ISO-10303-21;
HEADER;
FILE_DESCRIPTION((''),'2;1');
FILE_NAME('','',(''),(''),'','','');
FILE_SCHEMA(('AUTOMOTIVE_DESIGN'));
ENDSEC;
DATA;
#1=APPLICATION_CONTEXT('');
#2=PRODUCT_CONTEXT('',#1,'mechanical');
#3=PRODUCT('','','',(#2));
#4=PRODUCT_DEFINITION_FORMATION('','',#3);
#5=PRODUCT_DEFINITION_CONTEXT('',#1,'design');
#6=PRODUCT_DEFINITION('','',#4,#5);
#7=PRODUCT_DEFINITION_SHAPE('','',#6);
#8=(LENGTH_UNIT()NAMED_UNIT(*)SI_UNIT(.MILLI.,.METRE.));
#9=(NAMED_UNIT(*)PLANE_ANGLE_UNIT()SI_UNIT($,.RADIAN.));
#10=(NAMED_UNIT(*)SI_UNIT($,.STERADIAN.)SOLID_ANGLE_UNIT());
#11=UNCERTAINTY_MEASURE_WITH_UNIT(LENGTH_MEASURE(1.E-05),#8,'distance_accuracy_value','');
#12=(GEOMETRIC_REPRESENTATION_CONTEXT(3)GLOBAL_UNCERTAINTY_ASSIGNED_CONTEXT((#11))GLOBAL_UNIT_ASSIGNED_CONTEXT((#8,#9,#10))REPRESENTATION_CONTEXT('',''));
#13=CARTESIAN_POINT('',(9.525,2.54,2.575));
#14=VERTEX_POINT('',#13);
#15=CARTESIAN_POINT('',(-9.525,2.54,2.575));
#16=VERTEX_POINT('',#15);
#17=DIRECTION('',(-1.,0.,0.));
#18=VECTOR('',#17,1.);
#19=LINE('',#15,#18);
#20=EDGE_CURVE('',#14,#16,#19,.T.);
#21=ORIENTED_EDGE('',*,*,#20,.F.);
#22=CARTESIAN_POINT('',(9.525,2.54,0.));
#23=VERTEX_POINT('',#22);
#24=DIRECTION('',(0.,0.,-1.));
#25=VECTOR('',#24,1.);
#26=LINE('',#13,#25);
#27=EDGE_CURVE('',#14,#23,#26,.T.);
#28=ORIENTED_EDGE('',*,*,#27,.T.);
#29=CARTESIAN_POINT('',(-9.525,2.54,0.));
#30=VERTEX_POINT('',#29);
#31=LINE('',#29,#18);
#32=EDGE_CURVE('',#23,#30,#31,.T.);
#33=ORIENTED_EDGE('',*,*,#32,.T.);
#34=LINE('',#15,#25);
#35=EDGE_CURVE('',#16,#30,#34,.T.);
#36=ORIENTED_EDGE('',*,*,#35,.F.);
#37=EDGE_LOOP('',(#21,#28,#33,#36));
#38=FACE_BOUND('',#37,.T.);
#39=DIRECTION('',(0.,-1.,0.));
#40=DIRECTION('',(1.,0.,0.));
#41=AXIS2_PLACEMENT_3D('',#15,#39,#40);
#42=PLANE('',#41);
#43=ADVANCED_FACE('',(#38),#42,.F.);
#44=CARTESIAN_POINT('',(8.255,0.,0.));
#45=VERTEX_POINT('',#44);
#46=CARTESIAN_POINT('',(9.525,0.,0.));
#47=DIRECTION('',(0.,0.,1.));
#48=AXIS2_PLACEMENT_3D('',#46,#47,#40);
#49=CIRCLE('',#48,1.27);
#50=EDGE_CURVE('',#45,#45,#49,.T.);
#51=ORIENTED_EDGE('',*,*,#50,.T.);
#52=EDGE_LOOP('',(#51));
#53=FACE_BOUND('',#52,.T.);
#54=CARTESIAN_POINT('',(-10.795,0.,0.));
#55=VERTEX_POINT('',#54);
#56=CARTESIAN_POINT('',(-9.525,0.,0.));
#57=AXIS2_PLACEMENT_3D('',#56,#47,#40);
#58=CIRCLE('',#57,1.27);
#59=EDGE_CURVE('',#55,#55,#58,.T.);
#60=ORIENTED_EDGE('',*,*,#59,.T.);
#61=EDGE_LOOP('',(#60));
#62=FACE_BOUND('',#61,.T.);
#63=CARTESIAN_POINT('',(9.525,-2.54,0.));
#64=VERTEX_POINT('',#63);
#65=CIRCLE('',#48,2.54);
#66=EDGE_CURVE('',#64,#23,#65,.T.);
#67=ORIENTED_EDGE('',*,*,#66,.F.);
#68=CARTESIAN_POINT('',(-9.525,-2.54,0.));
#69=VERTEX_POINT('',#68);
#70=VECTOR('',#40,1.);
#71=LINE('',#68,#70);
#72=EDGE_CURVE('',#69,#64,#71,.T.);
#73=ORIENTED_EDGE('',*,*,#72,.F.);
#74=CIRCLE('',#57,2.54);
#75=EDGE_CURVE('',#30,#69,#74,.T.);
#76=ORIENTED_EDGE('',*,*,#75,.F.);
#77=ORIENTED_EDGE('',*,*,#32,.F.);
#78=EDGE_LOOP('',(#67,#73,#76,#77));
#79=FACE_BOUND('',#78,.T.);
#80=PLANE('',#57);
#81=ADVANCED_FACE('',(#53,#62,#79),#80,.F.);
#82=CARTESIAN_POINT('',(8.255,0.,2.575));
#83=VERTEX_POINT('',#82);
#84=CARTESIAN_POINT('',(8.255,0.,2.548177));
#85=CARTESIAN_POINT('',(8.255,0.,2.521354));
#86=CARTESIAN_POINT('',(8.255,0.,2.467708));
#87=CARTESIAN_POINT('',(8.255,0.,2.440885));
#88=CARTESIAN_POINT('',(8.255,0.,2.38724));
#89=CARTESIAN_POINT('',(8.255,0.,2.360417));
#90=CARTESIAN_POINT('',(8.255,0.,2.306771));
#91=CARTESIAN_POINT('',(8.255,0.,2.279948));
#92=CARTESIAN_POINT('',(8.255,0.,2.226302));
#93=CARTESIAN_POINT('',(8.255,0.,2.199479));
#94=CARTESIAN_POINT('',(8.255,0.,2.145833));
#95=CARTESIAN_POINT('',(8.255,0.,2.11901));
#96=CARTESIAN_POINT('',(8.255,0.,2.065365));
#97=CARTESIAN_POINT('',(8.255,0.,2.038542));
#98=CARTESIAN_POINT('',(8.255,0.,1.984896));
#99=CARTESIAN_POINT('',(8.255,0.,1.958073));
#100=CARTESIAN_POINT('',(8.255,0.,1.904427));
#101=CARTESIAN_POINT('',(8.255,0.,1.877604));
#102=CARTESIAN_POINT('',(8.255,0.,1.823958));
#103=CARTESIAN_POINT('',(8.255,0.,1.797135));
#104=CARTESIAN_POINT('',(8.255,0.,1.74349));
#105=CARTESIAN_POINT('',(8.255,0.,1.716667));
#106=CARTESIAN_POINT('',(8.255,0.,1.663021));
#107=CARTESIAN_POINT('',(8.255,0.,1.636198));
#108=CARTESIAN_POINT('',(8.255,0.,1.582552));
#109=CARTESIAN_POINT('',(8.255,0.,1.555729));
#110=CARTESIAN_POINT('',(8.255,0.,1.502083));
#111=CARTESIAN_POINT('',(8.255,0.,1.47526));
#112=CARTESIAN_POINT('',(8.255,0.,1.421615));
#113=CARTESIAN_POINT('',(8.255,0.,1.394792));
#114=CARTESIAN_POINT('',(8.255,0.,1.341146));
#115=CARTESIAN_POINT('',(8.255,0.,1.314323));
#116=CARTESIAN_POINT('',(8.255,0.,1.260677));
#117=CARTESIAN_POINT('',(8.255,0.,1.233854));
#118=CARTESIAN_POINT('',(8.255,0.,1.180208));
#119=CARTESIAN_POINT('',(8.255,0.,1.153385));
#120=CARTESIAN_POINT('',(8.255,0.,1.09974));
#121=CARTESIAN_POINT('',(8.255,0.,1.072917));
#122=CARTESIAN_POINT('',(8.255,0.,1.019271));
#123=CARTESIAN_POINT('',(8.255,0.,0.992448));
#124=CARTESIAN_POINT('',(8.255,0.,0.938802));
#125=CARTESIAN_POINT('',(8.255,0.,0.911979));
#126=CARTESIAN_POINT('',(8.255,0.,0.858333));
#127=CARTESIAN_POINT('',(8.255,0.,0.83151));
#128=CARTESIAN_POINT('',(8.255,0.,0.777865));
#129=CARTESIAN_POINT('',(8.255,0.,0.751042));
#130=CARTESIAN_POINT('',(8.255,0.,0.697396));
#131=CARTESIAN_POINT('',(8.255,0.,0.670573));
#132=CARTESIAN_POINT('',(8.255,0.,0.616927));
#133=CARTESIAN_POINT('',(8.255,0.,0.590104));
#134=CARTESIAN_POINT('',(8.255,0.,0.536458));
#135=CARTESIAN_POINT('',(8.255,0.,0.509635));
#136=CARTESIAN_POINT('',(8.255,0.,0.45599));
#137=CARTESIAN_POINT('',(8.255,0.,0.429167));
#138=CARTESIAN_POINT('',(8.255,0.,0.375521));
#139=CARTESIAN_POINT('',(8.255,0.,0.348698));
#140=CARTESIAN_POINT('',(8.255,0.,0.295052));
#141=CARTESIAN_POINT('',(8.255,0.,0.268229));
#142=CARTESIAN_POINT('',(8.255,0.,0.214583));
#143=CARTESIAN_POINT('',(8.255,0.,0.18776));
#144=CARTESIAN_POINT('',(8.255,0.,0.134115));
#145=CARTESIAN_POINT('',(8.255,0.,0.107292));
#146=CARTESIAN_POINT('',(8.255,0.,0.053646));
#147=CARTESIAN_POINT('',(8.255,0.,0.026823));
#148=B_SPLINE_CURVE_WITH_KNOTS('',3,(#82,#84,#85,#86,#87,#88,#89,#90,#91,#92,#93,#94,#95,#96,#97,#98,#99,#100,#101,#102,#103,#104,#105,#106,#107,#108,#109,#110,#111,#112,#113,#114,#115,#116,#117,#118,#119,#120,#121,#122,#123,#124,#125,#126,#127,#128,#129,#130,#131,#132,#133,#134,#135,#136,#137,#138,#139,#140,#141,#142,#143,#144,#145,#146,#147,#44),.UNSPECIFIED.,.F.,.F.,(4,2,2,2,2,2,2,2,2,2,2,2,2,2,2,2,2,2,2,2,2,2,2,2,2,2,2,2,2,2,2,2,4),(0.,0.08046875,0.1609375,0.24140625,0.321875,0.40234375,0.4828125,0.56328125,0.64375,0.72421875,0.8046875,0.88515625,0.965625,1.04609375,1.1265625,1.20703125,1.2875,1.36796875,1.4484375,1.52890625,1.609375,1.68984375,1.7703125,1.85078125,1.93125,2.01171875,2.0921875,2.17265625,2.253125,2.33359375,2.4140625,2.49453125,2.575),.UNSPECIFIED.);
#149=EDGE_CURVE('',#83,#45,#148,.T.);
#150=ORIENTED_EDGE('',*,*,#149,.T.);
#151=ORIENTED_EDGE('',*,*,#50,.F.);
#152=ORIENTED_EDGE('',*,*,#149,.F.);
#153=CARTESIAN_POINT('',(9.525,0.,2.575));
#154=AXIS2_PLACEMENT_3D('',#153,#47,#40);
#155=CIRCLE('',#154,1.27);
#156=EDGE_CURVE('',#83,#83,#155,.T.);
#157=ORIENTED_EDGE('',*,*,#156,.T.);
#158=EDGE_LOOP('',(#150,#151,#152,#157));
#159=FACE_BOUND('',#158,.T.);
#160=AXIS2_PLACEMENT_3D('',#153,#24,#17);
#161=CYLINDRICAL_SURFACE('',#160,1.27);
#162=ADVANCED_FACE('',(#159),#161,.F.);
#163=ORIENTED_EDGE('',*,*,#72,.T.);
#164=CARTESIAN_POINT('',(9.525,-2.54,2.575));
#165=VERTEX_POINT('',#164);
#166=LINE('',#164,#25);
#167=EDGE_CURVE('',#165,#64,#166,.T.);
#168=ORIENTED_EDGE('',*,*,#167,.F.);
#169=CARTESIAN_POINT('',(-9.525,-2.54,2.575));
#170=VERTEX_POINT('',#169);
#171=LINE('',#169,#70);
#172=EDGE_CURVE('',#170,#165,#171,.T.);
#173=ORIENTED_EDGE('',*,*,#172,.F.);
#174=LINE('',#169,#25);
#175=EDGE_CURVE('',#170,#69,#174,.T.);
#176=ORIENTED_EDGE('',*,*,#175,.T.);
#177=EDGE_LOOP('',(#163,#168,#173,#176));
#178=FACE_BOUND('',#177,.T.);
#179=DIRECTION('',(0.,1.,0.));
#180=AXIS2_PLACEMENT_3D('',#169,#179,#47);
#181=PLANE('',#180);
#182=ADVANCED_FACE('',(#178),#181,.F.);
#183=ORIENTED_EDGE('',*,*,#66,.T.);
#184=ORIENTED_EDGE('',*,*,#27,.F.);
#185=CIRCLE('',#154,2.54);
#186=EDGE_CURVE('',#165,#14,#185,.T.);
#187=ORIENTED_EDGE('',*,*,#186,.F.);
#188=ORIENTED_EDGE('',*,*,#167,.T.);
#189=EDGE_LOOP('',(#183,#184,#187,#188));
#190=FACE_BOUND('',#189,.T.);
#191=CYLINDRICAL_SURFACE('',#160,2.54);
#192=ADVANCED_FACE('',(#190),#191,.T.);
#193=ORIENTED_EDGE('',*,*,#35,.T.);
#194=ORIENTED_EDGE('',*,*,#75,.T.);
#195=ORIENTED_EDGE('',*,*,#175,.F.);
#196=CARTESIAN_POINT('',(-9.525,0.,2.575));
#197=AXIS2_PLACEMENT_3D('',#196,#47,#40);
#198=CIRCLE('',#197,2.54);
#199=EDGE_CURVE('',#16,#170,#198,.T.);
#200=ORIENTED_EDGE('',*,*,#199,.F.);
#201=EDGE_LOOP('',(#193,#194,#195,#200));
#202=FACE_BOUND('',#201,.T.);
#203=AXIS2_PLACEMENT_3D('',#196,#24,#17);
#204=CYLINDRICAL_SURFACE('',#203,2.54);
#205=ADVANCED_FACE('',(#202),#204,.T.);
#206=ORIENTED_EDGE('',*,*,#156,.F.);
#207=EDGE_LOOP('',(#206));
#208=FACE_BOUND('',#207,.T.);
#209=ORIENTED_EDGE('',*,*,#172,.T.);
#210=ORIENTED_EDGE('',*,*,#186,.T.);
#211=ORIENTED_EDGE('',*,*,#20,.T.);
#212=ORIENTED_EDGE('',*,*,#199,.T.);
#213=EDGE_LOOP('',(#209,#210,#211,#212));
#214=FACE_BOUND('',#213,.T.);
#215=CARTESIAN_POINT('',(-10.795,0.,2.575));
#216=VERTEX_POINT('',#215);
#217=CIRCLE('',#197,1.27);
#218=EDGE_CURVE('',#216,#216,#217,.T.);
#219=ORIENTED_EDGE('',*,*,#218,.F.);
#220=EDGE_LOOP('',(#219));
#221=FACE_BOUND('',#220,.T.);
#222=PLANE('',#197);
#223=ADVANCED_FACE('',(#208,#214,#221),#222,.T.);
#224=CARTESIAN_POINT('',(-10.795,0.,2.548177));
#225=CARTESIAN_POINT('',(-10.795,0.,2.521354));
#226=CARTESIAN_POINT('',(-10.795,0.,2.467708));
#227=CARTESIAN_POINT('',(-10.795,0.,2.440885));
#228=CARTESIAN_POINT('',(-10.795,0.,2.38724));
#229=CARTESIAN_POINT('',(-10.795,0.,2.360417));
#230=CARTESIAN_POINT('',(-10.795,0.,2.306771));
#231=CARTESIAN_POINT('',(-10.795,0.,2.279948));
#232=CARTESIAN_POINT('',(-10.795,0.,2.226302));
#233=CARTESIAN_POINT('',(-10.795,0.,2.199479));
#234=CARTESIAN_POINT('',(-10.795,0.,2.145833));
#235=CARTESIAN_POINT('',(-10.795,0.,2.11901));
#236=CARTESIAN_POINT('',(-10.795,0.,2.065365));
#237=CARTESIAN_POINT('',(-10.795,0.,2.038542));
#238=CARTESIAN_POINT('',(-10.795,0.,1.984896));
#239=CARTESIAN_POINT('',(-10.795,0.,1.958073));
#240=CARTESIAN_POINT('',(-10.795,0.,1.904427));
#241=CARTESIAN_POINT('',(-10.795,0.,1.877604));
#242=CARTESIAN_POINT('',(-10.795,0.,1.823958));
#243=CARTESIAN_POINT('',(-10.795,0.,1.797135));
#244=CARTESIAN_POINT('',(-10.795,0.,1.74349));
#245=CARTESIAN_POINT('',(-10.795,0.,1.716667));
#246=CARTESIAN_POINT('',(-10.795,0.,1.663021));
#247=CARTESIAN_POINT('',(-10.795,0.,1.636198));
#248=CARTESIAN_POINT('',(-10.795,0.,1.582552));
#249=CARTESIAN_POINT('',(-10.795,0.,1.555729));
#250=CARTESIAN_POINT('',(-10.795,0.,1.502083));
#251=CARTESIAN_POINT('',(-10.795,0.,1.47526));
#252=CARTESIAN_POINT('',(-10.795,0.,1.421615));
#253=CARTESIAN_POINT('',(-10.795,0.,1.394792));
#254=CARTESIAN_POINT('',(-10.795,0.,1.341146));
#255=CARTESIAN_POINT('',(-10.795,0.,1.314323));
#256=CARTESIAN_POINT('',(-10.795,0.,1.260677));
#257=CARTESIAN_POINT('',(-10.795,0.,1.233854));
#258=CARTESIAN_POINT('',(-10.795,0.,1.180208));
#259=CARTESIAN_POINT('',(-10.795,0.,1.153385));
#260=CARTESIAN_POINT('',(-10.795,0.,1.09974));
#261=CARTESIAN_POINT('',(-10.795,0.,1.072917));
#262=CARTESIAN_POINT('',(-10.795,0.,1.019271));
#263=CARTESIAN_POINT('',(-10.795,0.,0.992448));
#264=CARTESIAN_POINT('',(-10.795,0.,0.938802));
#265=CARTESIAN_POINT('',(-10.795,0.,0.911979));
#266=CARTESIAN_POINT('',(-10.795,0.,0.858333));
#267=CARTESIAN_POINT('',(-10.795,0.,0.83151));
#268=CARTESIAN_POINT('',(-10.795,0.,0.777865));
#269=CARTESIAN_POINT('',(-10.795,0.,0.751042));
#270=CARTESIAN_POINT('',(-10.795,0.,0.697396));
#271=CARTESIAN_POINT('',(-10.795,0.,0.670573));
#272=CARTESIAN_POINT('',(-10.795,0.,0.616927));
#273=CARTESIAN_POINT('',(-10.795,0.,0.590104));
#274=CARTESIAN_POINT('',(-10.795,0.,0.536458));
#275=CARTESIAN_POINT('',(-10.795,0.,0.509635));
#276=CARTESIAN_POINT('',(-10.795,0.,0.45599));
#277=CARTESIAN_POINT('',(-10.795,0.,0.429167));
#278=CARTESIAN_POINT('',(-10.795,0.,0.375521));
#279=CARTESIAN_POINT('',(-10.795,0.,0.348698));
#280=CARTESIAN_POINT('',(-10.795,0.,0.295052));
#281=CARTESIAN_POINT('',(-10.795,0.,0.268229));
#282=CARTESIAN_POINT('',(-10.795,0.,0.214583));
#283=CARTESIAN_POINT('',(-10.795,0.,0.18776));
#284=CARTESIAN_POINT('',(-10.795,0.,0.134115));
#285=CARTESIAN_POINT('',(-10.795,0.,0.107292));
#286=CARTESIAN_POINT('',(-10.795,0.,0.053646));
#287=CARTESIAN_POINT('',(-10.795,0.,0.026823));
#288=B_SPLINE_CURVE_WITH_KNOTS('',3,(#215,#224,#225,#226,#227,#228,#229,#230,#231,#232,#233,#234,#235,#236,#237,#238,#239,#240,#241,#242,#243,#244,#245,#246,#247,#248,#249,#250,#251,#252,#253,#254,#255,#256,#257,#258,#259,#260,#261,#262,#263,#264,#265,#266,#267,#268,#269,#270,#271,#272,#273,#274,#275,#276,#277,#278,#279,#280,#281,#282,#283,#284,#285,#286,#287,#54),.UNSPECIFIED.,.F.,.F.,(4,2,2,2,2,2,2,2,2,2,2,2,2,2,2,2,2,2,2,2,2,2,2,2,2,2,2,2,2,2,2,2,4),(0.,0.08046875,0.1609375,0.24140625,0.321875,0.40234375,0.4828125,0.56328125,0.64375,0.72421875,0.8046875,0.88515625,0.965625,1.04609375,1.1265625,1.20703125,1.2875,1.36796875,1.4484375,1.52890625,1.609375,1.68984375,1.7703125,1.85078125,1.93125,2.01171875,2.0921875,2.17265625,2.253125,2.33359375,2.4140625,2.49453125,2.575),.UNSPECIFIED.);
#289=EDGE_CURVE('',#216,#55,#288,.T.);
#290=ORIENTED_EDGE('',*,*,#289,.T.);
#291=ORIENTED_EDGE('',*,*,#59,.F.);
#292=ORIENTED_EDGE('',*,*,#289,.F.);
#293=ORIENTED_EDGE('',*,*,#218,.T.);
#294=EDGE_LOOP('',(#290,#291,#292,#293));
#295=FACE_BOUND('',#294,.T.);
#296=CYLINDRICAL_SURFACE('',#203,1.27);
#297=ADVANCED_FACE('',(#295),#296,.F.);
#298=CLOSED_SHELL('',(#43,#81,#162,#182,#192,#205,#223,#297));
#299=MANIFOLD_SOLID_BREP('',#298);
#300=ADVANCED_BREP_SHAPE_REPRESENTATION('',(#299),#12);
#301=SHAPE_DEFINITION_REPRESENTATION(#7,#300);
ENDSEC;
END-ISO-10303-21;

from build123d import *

# Parameters (mm, degrees)
SKETCH1_R           = 1.27
BOSS_EXTRUDE1_DEPTH = 2.575


with BuildPart() as part:
    # Sketch1 → Boss-Extrude1 (new body)
    with BuildSketch(Plane.XY):
        with BuildLine():
            Line((-9.525, 2.54), (9.525, 2.54))
            ThreePointArc((9.525, 2.54), (12.065, 0), (9.525, -2.54))
            Line((9.525, -2.54), (-9.525, -2.54))
            ThreePointArc((-9.525, -2.54), (-12.065, 0), (-9.525, 2.54))
        make_face()
        with Locations(Location((-9.525, 0, 0), (0, 0, 180))):
            Circle(SKETCH1_R, mode=Mode.SUBTRACT)
        with Locations(Location((9.525, 0, 0), (0, 0, 180))):
            Circle(SKETCH1_R, mode=Mode.SUBTRACT)
    extrude(amount=BOSS_EXTRUDE1_DEPTH)


solid = part.part
